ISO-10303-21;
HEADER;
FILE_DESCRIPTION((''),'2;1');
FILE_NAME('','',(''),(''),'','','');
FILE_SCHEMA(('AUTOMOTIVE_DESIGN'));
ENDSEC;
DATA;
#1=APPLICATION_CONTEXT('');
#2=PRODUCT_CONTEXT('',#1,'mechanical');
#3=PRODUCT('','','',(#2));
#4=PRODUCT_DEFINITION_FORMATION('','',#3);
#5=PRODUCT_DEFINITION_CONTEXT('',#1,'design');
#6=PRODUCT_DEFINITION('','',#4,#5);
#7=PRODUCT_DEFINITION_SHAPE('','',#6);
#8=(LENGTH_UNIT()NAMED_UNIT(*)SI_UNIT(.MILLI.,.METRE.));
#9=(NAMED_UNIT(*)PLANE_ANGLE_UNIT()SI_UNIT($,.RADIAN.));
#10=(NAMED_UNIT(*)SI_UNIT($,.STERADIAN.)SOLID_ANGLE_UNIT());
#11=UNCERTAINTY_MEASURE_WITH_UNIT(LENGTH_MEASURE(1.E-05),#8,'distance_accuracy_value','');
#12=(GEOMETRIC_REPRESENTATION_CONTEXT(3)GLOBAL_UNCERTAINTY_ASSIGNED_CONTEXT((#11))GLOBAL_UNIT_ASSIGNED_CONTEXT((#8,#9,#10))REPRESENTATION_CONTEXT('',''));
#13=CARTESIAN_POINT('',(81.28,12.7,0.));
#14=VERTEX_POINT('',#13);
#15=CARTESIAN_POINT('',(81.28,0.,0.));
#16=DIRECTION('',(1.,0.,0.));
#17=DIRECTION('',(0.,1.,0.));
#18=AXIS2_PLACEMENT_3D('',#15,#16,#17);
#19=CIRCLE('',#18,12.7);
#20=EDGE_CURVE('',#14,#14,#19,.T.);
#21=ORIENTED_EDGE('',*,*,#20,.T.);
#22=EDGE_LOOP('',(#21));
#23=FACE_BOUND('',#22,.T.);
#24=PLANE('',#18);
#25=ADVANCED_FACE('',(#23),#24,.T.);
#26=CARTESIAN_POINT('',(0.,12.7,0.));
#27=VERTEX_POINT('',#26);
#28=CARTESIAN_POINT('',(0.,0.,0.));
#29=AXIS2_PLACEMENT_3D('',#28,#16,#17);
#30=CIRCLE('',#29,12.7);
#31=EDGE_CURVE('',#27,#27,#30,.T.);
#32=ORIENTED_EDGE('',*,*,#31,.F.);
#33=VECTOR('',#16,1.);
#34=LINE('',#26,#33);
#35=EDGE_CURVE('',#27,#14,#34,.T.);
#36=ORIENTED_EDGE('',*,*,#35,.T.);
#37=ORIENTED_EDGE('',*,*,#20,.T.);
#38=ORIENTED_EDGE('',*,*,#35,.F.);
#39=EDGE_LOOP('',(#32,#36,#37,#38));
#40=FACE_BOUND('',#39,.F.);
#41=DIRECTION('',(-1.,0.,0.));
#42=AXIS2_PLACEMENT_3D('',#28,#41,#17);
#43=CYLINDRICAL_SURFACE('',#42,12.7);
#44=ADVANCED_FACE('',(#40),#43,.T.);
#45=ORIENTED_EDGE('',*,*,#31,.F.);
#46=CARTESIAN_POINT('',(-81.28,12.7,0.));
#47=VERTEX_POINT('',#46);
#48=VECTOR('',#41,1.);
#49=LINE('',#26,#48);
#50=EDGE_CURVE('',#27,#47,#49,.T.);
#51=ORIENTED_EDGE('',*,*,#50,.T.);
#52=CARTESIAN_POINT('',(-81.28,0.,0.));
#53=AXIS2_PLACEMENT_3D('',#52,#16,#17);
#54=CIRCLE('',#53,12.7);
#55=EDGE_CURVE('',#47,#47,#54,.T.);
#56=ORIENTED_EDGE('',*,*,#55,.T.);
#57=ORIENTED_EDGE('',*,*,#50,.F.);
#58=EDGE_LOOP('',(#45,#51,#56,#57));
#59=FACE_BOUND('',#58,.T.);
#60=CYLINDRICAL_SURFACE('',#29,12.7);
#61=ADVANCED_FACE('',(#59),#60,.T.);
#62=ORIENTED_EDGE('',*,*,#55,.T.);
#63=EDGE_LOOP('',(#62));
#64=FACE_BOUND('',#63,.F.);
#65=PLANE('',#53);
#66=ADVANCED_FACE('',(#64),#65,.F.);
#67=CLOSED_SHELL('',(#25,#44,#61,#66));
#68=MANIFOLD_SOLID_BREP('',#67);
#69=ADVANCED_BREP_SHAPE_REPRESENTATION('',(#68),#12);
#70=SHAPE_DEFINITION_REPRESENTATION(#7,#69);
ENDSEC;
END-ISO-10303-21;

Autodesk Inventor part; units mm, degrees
ref_plane "YZ Plane" through (0, 0, 0) normal (1, 0, 0) x (0, 1, 0)
ref_plane "XZ Plane" through (0, 0, 0) normal (0, 1, 0) x (-1, 0, 0)
ref_plane "XY Plane" through (0, 0, 0) normal (0, 0, 1) x (1, 0, 0)
sketch "Sketch1" plane through (0, 0, 0) normal (1, 0, 0) x (0, 1, 0)
  circle A0 centre (0, 0) radius 12.7
  dimension "d0" = 25.4
extrude "Extrusion1" add sketch "Sketch1" along normal mid plane 162.56
properties part number "PistonHeadPin"
